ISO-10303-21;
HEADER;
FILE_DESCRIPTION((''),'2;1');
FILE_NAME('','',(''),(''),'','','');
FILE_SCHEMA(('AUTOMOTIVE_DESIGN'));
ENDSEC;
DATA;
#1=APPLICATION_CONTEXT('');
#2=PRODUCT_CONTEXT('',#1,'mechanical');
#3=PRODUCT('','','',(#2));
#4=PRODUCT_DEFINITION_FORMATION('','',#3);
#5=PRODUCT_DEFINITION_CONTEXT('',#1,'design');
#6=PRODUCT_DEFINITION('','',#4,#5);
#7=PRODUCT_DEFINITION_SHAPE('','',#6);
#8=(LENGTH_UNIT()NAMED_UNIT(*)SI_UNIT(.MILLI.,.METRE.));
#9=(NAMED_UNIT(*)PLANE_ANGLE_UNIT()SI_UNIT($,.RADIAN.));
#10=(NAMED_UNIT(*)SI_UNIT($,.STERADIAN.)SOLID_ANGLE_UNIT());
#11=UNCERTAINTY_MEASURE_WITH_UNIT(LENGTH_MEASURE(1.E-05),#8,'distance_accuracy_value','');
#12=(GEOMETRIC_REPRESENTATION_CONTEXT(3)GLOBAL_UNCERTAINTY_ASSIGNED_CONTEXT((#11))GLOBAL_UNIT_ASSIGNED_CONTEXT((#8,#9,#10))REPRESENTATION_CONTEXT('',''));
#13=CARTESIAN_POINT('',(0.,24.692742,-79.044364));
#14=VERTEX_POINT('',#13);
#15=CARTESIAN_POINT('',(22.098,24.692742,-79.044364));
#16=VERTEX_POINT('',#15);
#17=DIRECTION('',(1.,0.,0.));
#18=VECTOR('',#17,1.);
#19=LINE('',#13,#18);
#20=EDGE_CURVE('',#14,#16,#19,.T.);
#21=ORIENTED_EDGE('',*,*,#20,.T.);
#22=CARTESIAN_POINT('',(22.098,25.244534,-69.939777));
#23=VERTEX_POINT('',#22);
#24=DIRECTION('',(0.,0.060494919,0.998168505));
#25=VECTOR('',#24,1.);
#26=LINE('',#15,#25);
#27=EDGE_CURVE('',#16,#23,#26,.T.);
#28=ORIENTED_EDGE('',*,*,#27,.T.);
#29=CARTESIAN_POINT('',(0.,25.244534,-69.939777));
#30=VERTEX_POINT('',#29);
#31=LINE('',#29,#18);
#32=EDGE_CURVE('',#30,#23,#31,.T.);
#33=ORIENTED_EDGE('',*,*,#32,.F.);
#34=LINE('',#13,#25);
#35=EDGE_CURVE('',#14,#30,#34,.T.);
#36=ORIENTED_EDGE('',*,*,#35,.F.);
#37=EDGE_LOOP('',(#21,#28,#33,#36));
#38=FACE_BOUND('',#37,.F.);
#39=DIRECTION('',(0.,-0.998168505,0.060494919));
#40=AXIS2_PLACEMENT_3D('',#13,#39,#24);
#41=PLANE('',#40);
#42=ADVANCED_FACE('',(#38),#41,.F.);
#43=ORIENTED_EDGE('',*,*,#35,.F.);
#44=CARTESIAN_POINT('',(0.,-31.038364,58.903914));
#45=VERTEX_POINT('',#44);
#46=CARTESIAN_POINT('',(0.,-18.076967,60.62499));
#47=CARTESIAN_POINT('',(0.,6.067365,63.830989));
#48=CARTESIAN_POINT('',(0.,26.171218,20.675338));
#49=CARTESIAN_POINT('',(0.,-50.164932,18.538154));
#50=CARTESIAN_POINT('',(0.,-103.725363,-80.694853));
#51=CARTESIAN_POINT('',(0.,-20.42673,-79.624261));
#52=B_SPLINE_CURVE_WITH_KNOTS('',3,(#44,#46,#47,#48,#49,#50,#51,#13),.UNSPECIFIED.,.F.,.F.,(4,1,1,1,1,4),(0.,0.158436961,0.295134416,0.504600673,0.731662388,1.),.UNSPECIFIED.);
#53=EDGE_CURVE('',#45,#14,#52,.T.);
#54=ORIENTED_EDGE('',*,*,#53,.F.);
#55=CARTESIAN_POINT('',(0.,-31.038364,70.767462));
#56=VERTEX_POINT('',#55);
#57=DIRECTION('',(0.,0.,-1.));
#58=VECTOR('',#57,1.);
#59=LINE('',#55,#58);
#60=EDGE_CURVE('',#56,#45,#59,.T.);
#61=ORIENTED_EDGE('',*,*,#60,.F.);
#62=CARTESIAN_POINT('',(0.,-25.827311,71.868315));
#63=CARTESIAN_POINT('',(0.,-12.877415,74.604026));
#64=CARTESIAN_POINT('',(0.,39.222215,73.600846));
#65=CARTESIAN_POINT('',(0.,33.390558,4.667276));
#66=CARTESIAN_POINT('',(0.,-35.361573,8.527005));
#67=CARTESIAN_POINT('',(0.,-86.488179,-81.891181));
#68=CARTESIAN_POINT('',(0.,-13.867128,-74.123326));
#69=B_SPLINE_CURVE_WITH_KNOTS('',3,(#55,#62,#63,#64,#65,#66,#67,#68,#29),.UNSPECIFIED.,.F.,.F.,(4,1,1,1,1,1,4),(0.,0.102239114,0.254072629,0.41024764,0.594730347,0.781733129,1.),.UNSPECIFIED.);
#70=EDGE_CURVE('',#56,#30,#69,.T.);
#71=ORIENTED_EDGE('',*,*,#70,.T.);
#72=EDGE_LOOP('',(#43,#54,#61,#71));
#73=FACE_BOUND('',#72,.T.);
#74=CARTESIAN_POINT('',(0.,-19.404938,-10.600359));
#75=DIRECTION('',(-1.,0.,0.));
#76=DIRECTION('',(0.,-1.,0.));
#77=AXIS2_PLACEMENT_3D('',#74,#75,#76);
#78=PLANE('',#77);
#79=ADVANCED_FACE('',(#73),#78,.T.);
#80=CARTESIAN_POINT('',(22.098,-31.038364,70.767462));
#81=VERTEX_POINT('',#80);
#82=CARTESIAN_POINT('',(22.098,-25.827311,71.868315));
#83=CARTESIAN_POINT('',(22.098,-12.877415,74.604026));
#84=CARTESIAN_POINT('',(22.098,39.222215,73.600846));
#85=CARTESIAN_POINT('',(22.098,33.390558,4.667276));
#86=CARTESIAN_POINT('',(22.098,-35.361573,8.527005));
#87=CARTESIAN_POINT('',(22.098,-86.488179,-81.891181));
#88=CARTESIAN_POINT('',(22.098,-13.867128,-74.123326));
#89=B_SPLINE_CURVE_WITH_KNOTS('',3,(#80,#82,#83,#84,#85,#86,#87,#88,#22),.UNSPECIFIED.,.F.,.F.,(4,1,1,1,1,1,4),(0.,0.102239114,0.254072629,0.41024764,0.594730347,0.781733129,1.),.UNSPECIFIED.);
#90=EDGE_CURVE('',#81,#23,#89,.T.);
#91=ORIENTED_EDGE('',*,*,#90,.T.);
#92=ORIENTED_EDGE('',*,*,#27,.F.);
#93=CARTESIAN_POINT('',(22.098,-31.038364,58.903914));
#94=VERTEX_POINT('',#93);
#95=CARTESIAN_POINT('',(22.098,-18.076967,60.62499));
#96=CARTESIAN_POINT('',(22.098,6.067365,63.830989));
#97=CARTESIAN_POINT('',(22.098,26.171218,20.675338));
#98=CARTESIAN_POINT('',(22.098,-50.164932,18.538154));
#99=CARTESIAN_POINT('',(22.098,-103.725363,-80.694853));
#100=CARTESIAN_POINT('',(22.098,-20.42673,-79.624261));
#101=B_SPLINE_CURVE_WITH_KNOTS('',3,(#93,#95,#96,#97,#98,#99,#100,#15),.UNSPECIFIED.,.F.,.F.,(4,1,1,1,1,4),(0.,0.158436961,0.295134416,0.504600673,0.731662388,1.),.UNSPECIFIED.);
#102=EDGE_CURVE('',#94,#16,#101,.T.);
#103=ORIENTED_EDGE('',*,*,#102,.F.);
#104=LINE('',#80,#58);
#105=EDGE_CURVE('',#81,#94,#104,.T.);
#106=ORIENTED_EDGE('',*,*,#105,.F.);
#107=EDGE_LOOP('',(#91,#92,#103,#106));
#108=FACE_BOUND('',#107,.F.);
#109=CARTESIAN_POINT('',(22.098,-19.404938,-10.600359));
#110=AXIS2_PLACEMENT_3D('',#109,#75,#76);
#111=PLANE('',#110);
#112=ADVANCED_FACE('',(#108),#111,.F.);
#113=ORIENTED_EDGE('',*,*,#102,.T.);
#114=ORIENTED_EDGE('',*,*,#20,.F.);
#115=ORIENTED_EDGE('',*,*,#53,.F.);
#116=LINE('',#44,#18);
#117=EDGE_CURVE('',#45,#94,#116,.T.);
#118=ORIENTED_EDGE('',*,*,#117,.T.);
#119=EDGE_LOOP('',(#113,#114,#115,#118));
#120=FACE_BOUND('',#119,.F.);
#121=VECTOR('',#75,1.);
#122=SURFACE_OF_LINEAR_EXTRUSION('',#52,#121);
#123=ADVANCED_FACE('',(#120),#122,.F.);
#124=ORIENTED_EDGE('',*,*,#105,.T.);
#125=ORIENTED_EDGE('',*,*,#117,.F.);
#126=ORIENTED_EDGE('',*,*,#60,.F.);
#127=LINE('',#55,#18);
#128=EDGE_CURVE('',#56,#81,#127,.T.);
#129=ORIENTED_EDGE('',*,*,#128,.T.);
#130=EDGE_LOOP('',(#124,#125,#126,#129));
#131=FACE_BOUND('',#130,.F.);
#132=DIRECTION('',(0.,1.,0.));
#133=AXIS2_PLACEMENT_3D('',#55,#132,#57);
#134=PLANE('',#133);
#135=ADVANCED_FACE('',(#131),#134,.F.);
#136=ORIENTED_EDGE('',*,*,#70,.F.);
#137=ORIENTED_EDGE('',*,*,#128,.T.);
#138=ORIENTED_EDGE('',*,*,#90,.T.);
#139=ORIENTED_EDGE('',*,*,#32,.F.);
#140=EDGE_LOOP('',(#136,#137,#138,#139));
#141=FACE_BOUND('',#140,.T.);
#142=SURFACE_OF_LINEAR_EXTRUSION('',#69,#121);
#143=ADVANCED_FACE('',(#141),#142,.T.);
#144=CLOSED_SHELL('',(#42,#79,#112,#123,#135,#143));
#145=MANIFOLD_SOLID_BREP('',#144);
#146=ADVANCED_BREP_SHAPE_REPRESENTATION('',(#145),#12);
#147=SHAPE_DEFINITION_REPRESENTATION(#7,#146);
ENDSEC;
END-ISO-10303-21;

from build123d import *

# Parameters (mm, degrees)
F1_DEPTH = 22.098


with BuildPart() as f1:
    # F0 (on Right) → F1 (new body)
    with BuildSketch(Plane.YZ):
        with BuildLine():
            add(Edge.make_bspline(
                [(-31.0383643955, 70.7674622536), (-25.8273113716, 71.8683154317), (-12.8774149313, 74.60402635), (39.2222148117, 73.6008457946), (33.3905579811, 4.6672759502), (-35.3615731436, 8.5270050187), (-86.4881787162, -81.8911809725), (-13.8671276944, -74.1233260809), (25.2445340157, -69.9397772551)],
                knots=[0, 0, 0, 0, 0.1022391141, 0.2540726286, 0.4102476396, 0.5947303466, 0.7817331289, 1, 1, 1, 1], degree=3))
            Line((-31.0383643955, 70.7674622536), (-31.0383643955, 58.903913945))
            add(Edge.make_bspline(
                [(-31.0383643955, 58.903913945), (-18.0769667798, 60.6249897448), (6.067364731, 63.8309885035), (26.171217845, 20.6753378039), (-50.1649319143, 18.5381539968), (-103.7253626923, -80.6948527209), (-20.4267300012, -79.6242605239), (24.692742154, -79.0443643928)],
                knots=[0, 0, 0, 0, 0.158436961, 0.2951344155, 0.5046006728, 0.7316623884, 1, 1, 1, 1], degree=3))
            Line((24.692742154, -79.0443643928), (25.2445340157, -69.9397772551))
        make_face()
    extrude(amount=F1_DEPTH)


solid = f1.part
